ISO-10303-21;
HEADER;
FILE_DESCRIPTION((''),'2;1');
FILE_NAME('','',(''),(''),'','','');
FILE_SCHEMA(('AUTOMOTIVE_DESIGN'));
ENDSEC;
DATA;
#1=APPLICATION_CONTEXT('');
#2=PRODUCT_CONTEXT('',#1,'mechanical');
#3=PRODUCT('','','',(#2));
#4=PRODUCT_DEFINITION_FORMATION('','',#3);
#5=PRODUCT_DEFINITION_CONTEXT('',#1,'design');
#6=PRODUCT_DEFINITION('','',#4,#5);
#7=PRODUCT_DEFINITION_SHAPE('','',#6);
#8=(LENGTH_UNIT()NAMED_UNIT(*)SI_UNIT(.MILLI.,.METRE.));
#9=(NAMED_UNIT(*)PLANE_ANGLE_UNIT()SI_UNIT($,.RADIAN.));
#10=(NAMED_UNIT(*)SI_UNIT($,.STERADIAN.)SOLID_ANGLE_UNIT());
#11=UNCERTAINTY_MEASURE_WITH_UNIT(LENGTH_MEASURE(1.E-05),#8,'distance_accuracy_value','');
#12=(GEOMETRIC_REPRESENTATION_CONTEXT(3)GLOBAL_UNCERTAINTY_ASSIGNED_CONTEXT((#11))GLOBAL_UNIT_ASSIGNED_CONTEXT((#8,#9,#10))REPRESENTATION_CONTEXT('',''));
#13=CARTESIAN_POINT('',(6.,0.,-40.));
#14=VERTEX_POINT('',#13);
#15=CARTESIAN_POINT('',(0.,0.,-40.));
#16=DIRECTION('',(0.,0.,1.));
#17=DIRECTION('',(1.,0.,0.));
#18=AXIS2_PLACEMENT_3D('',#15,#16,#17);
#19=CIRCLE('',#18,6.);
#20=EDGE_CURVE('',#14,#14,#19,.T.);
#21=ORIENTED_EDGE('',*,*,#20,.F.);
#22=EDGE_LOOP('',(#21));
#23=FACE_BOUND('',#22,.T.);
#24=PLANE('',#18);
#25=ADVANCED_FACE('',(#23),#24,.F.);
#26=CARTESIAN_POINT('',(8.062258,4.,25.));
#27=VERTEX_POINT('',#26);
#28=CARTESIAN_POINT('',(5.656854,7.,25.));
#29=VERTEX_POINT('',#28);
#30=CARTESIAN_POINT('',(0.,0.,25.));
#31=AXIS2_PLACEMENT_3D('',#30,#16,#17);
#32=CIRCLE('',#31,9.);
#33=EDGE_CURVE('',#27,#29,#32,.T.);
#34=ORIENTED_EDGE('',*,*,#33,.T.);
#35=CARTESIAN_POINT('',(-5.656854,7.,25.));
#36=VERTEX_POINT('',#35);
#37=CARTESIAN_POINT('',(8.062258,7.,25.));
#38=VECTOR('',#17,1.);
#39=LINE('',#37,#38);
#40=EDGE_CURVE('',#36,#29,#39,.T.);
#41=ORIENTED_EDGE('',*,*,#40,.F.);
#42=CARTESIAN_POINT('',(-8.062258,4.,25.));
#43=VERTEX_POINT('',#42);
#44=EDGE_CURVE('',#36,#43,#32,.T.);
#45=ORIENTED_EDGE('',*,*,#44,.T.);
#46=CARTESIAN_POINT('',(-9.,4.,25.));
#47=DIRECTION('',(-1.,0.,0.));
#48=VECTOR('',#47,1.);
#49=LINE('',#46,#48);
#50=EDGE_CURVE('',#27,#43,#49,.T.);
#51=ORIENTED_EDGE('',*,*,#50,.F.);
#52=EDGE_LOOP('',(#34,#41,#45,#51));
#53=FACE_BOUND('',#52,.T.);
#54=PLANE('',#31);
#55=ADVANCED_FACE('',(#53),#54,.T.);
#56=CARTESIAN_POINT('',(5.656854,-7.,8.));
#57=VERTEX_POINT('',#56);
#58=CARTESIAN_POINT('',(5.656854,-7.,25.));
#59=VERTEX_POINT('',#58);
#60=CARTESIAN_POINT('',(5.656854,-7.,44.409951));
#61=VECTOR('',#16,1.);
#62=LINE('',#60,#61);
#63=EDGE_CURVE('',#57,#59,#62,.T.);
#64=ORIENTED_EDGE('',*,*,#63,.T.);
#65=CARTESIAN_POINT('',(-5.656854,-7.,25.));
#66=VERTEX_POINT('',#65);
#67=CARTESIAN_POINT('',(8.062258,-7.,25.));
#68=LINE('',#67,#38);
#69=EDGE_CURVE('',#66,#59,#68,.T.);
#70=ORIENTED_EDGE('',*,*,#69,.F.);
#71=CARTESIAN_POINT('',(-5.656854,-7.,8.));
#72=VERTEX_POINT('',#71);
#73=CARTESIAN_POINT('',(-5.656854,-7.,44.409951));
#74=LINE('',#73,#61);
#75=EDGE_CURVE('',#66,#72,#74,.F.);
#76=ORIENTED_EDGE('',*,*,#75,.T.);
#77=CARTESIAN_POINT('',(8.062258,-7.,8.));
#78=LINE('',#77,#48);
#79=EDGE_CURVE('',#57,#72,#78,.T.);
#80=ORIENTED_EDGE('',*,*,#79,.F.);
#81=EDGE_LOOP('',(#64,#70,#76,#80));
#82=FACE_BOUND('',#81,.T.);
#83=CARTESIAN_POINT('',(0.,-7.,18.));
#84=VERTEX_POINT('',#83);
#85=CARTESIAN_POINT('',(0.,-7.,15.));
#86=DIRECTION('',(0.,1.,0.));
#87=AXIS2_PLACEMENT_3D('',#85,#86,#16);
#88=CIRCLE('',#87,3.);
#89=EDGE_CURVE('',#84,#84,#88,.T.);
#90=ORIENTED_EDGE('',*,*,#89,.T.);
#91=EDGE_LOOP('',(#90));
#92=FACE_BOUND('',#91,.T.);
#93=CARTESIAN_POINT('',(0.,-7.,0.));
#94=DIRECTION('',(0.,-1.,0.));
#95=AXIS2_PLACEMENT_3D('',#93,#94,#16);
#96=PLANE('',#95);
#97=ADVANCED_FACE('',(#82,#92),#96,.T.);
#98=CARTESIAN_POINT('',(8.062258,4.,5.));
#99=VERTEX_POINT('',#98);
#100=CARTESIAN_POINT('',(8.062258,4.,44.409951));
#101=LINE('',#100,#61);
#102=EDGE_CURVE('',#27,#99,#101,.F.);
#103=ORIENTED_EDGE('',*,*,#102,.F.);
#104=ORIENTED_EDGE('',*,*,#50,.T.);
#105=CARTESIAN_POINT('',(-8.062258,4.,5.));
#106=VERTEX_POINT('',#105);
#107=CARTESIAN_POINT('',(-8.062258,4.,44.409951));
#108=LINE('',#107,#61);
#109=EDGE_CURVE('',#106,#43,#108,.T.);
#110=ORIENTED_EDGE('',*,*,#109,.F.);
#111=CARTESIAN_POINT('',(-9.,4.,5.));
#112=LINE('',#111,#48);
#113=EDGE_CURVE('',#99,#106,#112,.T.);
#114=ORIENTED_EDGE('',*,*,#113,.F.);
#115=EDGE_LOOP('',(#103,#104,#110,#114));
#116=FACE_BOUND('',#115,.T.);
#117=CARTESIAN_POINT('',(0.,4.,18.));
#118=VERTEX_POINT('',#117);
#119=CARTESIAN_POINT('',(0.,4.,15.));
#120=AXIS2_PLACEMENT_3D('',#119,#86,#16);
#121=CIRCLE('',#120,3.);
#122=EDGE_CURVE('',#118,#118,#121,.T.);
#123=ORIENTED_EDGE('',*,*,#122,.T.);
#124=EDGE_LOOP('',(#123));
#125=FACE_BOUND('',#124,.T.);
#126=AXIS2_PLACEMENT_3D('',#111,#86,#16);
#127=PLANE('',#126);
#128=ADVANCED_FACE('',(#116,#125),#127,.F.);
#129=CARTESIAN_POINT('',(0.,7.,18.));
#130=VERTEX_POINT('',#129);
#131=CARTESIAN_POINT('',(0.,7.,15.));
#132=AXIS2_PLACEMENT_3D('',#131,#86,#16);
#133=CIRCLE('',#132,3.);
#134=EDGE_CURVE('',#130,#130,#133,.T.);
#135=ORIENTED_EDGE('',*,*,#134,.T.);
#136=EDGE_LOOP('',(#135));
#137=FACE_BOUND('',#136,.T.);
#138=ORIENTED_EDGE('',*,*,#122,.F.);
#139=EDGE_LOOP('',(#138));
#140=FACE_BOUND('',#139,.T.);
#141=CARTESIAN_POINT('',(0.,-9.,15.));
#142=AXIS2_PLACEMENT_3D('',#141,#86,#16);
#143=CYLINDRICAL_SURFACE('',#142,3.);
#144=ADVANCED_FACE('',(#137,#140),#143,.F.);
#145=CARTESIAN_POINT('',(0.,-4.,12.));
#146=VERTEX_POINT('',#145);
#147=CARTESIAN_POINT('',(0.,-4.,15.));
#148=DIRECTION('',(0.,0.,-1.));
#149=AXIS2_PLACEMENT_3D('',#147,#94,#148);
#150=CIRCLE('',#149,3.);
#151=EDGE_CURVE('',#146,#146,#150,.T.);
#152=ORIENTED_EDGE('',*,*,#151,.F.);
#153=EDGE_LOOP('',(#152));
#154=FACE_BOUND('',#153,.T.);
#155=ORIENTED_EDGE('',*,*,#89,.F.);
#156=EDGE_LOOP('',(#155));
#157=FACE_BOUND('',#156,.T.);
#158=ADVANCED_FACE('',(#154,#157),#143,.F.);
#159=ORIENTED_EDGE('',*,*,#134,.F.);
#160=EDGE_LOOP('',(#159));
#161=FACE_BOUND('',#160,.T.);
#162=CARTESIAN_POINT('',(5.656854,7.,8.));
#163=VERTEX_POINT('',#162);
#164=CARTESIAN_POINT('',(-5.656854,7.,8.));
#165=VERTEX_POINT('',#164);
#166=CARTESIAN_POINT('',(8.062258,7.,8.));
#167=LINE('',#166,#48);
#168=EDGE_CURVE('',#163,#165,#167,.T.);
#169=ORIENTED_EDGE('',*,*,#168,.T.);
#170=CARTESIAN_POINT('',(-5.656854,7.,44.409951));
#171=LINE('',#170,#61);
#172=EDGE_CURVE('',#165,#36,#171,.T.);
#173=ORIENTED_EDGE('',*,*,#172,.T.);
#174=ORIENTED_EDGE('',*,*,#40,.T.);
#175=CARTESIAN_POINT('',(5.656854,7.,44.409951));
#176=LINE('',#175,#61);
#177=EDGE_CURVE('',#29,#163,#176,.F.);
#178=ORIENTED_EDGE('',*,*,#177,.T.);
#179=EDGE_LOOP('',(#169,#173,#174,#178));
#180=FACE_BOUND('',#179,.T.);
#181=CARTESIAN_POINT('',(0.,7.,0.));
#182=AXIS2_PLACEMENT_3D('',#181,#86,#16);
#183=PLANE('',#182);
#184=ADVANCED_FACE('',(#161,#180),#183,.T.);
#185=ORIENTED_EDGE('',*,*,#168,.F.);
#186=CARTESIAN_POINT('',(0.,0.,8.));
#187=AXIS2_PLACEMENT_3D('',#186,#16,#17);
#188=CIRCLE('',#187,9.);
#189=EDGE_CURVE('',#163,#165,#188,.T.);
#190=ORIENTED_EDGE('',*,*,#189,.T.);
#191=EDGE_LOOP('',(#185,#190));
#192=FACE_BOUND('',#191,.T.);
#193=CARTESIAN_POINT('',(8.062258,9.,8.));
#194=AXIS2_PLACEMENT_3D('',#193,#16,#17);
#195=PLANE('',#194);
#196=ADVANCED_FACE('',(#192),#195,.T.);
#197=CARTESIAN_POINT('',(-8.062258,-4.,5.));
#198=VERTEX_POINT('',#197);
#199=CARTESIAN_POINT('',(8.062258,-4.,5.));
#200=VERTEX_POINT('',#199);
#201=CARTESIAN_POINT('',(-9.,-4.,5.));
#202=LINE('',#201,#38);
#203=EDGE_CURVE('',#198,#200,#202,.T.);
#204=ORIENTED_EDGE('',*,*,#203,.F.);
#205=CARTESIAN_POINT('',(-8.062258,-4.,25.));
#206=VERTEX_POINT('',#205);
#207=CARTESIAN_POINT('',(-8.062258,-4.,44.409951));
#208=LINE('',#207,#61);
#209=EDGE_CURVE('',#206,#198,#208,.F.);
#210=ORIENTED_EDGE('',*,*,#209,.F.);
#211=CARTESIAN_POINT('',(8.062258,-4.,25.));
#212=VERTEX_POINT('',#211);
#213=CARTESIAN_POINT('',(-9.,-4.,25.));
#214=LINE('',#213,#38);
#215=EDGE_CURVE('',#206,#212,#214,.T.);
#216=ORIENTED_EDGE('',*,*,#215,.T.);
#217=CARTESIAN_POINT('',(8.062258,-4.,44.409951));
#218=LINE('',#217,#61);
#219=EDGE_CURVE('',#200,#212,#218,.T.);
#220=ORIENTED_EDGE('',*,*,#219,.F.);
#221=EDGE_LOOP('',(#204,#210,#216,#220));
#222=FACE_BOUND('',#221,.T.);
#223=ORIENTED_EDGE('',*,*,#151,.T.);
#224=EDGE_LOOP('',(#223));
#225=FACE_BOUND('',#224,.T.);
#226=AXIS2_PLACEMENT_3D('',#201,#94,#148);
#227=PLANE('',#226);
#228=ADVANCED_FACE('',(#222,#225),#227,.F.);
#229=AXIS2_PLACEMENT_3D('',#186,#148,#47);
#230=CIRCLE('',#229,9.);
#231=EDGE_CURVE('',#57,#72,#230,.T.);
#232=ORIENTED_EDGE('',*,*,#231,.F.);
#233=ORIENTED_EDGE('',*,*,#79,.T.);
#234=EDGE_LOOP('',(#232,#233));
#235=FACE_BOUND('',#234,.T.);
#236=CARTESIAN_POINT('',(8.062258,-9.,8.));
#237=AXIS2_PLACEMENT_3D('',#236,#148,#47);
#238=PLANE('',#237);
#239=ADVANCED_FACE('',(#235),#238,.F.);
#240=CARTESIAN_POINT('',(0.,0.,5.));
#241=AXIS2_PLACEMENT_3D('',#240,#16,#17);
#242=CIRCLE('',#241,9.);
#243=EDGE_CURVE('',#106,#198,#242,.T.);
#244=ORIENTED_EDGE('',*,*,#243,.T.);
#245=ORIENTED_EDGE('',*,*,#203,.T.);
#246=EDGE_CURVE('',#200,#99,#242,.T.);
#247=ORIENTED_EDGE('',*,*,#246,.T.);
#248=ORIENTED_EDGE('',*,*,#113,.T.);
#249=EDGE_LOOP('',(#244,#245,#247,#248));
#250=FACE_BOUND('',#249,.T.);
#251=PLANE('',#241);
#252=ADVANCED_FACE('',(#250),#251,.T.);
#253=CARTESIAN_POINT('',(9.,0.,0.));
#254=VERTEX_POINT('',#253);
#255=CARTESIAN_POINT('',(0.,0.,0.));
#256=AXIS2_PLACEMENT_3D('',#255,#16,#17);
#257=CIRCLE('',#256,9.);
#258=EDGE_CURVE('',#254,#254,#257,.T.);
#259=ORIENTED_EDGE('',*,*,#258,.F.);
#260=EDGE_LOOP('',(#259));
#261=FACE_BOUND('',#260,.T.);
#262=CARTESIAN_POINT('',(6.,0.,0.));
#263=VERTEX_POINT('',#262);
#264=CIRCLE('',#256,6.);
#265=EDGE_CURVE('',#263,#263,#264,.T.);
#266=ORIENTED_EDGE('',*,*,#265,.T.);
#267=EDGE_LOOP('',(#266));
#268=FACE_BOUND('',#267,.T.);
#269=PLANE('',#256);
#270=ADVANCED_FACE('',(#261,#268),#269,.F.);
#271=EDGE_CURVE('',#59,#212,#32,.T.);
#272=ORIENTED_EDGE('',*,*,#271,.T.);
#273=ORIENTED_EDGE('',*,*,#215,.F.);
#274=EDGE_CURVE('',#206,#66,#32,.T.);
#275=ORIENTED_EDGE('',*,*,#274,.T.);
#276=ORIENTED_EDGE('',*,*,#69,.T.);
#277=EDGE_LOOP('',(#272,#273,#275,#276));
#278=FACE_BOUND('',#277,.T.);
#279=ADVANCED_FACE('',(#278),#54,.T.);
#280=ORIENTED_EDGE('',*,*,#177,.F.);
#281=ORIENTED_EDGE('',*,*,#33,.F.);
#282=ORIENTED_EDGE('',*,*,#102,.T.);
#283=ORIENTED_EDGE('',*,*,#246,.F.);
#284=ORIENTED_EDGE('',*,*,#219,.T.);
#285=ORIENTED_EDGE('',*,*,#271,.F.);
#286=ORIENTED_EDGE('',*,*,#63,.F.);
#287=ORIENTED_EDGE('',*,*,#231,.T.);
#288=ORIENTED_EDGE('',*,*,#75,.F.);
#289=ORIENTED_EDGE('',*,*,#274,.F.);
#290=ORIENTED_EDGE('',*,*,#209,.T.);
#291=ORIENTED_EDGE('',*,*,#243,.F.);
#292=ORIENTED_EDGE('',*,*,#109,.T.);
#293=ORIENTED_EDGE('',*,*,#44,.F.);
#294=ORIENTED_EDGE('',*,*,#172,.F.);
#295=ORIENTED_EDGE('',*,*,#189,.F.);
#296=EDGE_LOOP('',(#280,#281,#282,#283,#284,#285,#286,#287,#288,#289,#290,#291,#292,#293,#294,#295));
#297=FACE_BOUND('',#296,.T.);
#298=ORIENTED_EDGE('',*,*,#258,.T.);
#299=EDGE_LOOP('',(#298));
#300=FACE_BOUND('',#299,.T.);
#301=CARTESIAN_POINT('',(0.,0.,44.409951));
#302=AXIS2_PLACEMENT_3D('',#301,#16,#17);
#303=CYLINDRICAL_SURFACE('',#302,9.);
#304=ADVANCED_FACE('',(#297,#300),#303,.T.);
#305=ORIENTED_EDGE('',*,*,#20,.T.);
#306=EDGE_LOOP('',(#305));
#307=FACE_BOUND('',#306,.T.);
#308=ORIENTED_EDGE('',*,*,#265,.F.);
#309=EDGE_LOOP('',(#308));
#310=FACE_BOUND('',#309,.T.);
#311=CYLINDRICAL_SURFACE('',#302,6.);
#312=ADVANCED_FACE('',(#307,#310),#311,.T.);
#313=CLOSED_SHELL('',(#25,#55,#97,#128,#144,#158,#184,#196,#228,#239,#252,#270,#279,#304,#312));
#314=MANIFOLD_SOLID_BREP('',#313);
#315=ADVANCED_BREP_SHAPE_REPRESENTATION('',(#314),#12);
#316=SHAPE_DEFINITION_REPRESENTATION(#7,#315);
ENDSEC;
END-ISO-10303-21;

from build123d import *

# Parameters (mm, degrees)
SZKIC2_W                        = 18
SZKIC2_H                        = 8
WYTNIJ_WYCI_GNI_CIE1_DEPTH      = 20
WYTNIJ_WYCI_GNI_CIE2_DEPTH      = 42.976183724
WYTNIJ_WYCI_GNI_CIE2_DEPTH_BACK = 42.976183724
SZKIC3_R                        = 3
WYTNIJ_WYCI_GNI_CIE3_START      = 7
SZKIC3_4_W                      = 16.124515496
SZKIC3_4_H                      = 17
SZKIC3_4_R                      = 3
WYTNIJ_WYCI_GNI_CIE3_DEPTH      = 35.976183767


with BuildPart() as part:
    # Szkic1 → Obrót1 (revolve)
    with BuildSketch(Plane(origin=(0, 0, 0), x_dir=(1, 0, 0), z_dir=(0, 1, 0))):
        Polygon((0, -25), (9, -25), (9, 0), (6, 0), (6, 40), (0, 40), align=None)
    revolve(axis=Axis((0, 0, 44.409951059), (0, 0, -1)))

    # Szkic2 → Wytnij-wyciągnięcie1 (cut)
    with BuildSketch(Plane.XY.offset(25)):
        Rectangle(SZKIC2_W, SZKIC2_H)
    extrude(amount=-WYTNIJ_WYCI_GNI_CIE1_DEPTH, mode=Mode.SUBTRACT)

    # Szkic3 → Wytnij-wyciągnięcie2 (cut, two sides: drawn at the far end of the back side and taken through both)
    with BuildSketch(Plane(origin=(0, 0, 0), x_dir=(1, 0, 0), z_dir=(0, 1, 0)).offset(-WYTNIJ_WYCI_GNI_CIE2_DEPTH_BACK)):
        with Locations((0, -15)):
            Circle(SZKIC3_R)
    extrude(amount=WYTNIJ_WYCI_GNI_CIE2_DEPTH + WYTNIJ_WYCI_GNI_CIE2_DEPTH_BACK, mode=Mode.SUBTRACT)

    # Szkic3<4> → Wytnij-wyciągnięcie3 (cut, through all)
    with BuildSketch(Plane(origin=(0, 0, 0), x_dir=(1, 0, 0), z_dir=(0, 1, 0)).offset(WYTNIJ_WYCI_GNI_CIE3_START)):
        with Locations((0, -16.5)):
            Rectangle(SZKIC3_4_W, SZKIC3_4_H)
        with Locations((0, -15)):
            Circle(SZKIC3_4_R, mode=Mode.SUBTRACT)
    wytnij_wyci_gni_cie3 = extrude(amount=WYTNIJ_WYCI_GNI_CIE3_DEPTH, mode=Mode.SUBTRACT)

    # Lustro1: Wytnij-wyciągnięcie3 across plane
    add(wytnij_wyci_gni_cie3.mirror(Plane.ZX), mode=Mode.SUBTRACT)


solid = part.part
